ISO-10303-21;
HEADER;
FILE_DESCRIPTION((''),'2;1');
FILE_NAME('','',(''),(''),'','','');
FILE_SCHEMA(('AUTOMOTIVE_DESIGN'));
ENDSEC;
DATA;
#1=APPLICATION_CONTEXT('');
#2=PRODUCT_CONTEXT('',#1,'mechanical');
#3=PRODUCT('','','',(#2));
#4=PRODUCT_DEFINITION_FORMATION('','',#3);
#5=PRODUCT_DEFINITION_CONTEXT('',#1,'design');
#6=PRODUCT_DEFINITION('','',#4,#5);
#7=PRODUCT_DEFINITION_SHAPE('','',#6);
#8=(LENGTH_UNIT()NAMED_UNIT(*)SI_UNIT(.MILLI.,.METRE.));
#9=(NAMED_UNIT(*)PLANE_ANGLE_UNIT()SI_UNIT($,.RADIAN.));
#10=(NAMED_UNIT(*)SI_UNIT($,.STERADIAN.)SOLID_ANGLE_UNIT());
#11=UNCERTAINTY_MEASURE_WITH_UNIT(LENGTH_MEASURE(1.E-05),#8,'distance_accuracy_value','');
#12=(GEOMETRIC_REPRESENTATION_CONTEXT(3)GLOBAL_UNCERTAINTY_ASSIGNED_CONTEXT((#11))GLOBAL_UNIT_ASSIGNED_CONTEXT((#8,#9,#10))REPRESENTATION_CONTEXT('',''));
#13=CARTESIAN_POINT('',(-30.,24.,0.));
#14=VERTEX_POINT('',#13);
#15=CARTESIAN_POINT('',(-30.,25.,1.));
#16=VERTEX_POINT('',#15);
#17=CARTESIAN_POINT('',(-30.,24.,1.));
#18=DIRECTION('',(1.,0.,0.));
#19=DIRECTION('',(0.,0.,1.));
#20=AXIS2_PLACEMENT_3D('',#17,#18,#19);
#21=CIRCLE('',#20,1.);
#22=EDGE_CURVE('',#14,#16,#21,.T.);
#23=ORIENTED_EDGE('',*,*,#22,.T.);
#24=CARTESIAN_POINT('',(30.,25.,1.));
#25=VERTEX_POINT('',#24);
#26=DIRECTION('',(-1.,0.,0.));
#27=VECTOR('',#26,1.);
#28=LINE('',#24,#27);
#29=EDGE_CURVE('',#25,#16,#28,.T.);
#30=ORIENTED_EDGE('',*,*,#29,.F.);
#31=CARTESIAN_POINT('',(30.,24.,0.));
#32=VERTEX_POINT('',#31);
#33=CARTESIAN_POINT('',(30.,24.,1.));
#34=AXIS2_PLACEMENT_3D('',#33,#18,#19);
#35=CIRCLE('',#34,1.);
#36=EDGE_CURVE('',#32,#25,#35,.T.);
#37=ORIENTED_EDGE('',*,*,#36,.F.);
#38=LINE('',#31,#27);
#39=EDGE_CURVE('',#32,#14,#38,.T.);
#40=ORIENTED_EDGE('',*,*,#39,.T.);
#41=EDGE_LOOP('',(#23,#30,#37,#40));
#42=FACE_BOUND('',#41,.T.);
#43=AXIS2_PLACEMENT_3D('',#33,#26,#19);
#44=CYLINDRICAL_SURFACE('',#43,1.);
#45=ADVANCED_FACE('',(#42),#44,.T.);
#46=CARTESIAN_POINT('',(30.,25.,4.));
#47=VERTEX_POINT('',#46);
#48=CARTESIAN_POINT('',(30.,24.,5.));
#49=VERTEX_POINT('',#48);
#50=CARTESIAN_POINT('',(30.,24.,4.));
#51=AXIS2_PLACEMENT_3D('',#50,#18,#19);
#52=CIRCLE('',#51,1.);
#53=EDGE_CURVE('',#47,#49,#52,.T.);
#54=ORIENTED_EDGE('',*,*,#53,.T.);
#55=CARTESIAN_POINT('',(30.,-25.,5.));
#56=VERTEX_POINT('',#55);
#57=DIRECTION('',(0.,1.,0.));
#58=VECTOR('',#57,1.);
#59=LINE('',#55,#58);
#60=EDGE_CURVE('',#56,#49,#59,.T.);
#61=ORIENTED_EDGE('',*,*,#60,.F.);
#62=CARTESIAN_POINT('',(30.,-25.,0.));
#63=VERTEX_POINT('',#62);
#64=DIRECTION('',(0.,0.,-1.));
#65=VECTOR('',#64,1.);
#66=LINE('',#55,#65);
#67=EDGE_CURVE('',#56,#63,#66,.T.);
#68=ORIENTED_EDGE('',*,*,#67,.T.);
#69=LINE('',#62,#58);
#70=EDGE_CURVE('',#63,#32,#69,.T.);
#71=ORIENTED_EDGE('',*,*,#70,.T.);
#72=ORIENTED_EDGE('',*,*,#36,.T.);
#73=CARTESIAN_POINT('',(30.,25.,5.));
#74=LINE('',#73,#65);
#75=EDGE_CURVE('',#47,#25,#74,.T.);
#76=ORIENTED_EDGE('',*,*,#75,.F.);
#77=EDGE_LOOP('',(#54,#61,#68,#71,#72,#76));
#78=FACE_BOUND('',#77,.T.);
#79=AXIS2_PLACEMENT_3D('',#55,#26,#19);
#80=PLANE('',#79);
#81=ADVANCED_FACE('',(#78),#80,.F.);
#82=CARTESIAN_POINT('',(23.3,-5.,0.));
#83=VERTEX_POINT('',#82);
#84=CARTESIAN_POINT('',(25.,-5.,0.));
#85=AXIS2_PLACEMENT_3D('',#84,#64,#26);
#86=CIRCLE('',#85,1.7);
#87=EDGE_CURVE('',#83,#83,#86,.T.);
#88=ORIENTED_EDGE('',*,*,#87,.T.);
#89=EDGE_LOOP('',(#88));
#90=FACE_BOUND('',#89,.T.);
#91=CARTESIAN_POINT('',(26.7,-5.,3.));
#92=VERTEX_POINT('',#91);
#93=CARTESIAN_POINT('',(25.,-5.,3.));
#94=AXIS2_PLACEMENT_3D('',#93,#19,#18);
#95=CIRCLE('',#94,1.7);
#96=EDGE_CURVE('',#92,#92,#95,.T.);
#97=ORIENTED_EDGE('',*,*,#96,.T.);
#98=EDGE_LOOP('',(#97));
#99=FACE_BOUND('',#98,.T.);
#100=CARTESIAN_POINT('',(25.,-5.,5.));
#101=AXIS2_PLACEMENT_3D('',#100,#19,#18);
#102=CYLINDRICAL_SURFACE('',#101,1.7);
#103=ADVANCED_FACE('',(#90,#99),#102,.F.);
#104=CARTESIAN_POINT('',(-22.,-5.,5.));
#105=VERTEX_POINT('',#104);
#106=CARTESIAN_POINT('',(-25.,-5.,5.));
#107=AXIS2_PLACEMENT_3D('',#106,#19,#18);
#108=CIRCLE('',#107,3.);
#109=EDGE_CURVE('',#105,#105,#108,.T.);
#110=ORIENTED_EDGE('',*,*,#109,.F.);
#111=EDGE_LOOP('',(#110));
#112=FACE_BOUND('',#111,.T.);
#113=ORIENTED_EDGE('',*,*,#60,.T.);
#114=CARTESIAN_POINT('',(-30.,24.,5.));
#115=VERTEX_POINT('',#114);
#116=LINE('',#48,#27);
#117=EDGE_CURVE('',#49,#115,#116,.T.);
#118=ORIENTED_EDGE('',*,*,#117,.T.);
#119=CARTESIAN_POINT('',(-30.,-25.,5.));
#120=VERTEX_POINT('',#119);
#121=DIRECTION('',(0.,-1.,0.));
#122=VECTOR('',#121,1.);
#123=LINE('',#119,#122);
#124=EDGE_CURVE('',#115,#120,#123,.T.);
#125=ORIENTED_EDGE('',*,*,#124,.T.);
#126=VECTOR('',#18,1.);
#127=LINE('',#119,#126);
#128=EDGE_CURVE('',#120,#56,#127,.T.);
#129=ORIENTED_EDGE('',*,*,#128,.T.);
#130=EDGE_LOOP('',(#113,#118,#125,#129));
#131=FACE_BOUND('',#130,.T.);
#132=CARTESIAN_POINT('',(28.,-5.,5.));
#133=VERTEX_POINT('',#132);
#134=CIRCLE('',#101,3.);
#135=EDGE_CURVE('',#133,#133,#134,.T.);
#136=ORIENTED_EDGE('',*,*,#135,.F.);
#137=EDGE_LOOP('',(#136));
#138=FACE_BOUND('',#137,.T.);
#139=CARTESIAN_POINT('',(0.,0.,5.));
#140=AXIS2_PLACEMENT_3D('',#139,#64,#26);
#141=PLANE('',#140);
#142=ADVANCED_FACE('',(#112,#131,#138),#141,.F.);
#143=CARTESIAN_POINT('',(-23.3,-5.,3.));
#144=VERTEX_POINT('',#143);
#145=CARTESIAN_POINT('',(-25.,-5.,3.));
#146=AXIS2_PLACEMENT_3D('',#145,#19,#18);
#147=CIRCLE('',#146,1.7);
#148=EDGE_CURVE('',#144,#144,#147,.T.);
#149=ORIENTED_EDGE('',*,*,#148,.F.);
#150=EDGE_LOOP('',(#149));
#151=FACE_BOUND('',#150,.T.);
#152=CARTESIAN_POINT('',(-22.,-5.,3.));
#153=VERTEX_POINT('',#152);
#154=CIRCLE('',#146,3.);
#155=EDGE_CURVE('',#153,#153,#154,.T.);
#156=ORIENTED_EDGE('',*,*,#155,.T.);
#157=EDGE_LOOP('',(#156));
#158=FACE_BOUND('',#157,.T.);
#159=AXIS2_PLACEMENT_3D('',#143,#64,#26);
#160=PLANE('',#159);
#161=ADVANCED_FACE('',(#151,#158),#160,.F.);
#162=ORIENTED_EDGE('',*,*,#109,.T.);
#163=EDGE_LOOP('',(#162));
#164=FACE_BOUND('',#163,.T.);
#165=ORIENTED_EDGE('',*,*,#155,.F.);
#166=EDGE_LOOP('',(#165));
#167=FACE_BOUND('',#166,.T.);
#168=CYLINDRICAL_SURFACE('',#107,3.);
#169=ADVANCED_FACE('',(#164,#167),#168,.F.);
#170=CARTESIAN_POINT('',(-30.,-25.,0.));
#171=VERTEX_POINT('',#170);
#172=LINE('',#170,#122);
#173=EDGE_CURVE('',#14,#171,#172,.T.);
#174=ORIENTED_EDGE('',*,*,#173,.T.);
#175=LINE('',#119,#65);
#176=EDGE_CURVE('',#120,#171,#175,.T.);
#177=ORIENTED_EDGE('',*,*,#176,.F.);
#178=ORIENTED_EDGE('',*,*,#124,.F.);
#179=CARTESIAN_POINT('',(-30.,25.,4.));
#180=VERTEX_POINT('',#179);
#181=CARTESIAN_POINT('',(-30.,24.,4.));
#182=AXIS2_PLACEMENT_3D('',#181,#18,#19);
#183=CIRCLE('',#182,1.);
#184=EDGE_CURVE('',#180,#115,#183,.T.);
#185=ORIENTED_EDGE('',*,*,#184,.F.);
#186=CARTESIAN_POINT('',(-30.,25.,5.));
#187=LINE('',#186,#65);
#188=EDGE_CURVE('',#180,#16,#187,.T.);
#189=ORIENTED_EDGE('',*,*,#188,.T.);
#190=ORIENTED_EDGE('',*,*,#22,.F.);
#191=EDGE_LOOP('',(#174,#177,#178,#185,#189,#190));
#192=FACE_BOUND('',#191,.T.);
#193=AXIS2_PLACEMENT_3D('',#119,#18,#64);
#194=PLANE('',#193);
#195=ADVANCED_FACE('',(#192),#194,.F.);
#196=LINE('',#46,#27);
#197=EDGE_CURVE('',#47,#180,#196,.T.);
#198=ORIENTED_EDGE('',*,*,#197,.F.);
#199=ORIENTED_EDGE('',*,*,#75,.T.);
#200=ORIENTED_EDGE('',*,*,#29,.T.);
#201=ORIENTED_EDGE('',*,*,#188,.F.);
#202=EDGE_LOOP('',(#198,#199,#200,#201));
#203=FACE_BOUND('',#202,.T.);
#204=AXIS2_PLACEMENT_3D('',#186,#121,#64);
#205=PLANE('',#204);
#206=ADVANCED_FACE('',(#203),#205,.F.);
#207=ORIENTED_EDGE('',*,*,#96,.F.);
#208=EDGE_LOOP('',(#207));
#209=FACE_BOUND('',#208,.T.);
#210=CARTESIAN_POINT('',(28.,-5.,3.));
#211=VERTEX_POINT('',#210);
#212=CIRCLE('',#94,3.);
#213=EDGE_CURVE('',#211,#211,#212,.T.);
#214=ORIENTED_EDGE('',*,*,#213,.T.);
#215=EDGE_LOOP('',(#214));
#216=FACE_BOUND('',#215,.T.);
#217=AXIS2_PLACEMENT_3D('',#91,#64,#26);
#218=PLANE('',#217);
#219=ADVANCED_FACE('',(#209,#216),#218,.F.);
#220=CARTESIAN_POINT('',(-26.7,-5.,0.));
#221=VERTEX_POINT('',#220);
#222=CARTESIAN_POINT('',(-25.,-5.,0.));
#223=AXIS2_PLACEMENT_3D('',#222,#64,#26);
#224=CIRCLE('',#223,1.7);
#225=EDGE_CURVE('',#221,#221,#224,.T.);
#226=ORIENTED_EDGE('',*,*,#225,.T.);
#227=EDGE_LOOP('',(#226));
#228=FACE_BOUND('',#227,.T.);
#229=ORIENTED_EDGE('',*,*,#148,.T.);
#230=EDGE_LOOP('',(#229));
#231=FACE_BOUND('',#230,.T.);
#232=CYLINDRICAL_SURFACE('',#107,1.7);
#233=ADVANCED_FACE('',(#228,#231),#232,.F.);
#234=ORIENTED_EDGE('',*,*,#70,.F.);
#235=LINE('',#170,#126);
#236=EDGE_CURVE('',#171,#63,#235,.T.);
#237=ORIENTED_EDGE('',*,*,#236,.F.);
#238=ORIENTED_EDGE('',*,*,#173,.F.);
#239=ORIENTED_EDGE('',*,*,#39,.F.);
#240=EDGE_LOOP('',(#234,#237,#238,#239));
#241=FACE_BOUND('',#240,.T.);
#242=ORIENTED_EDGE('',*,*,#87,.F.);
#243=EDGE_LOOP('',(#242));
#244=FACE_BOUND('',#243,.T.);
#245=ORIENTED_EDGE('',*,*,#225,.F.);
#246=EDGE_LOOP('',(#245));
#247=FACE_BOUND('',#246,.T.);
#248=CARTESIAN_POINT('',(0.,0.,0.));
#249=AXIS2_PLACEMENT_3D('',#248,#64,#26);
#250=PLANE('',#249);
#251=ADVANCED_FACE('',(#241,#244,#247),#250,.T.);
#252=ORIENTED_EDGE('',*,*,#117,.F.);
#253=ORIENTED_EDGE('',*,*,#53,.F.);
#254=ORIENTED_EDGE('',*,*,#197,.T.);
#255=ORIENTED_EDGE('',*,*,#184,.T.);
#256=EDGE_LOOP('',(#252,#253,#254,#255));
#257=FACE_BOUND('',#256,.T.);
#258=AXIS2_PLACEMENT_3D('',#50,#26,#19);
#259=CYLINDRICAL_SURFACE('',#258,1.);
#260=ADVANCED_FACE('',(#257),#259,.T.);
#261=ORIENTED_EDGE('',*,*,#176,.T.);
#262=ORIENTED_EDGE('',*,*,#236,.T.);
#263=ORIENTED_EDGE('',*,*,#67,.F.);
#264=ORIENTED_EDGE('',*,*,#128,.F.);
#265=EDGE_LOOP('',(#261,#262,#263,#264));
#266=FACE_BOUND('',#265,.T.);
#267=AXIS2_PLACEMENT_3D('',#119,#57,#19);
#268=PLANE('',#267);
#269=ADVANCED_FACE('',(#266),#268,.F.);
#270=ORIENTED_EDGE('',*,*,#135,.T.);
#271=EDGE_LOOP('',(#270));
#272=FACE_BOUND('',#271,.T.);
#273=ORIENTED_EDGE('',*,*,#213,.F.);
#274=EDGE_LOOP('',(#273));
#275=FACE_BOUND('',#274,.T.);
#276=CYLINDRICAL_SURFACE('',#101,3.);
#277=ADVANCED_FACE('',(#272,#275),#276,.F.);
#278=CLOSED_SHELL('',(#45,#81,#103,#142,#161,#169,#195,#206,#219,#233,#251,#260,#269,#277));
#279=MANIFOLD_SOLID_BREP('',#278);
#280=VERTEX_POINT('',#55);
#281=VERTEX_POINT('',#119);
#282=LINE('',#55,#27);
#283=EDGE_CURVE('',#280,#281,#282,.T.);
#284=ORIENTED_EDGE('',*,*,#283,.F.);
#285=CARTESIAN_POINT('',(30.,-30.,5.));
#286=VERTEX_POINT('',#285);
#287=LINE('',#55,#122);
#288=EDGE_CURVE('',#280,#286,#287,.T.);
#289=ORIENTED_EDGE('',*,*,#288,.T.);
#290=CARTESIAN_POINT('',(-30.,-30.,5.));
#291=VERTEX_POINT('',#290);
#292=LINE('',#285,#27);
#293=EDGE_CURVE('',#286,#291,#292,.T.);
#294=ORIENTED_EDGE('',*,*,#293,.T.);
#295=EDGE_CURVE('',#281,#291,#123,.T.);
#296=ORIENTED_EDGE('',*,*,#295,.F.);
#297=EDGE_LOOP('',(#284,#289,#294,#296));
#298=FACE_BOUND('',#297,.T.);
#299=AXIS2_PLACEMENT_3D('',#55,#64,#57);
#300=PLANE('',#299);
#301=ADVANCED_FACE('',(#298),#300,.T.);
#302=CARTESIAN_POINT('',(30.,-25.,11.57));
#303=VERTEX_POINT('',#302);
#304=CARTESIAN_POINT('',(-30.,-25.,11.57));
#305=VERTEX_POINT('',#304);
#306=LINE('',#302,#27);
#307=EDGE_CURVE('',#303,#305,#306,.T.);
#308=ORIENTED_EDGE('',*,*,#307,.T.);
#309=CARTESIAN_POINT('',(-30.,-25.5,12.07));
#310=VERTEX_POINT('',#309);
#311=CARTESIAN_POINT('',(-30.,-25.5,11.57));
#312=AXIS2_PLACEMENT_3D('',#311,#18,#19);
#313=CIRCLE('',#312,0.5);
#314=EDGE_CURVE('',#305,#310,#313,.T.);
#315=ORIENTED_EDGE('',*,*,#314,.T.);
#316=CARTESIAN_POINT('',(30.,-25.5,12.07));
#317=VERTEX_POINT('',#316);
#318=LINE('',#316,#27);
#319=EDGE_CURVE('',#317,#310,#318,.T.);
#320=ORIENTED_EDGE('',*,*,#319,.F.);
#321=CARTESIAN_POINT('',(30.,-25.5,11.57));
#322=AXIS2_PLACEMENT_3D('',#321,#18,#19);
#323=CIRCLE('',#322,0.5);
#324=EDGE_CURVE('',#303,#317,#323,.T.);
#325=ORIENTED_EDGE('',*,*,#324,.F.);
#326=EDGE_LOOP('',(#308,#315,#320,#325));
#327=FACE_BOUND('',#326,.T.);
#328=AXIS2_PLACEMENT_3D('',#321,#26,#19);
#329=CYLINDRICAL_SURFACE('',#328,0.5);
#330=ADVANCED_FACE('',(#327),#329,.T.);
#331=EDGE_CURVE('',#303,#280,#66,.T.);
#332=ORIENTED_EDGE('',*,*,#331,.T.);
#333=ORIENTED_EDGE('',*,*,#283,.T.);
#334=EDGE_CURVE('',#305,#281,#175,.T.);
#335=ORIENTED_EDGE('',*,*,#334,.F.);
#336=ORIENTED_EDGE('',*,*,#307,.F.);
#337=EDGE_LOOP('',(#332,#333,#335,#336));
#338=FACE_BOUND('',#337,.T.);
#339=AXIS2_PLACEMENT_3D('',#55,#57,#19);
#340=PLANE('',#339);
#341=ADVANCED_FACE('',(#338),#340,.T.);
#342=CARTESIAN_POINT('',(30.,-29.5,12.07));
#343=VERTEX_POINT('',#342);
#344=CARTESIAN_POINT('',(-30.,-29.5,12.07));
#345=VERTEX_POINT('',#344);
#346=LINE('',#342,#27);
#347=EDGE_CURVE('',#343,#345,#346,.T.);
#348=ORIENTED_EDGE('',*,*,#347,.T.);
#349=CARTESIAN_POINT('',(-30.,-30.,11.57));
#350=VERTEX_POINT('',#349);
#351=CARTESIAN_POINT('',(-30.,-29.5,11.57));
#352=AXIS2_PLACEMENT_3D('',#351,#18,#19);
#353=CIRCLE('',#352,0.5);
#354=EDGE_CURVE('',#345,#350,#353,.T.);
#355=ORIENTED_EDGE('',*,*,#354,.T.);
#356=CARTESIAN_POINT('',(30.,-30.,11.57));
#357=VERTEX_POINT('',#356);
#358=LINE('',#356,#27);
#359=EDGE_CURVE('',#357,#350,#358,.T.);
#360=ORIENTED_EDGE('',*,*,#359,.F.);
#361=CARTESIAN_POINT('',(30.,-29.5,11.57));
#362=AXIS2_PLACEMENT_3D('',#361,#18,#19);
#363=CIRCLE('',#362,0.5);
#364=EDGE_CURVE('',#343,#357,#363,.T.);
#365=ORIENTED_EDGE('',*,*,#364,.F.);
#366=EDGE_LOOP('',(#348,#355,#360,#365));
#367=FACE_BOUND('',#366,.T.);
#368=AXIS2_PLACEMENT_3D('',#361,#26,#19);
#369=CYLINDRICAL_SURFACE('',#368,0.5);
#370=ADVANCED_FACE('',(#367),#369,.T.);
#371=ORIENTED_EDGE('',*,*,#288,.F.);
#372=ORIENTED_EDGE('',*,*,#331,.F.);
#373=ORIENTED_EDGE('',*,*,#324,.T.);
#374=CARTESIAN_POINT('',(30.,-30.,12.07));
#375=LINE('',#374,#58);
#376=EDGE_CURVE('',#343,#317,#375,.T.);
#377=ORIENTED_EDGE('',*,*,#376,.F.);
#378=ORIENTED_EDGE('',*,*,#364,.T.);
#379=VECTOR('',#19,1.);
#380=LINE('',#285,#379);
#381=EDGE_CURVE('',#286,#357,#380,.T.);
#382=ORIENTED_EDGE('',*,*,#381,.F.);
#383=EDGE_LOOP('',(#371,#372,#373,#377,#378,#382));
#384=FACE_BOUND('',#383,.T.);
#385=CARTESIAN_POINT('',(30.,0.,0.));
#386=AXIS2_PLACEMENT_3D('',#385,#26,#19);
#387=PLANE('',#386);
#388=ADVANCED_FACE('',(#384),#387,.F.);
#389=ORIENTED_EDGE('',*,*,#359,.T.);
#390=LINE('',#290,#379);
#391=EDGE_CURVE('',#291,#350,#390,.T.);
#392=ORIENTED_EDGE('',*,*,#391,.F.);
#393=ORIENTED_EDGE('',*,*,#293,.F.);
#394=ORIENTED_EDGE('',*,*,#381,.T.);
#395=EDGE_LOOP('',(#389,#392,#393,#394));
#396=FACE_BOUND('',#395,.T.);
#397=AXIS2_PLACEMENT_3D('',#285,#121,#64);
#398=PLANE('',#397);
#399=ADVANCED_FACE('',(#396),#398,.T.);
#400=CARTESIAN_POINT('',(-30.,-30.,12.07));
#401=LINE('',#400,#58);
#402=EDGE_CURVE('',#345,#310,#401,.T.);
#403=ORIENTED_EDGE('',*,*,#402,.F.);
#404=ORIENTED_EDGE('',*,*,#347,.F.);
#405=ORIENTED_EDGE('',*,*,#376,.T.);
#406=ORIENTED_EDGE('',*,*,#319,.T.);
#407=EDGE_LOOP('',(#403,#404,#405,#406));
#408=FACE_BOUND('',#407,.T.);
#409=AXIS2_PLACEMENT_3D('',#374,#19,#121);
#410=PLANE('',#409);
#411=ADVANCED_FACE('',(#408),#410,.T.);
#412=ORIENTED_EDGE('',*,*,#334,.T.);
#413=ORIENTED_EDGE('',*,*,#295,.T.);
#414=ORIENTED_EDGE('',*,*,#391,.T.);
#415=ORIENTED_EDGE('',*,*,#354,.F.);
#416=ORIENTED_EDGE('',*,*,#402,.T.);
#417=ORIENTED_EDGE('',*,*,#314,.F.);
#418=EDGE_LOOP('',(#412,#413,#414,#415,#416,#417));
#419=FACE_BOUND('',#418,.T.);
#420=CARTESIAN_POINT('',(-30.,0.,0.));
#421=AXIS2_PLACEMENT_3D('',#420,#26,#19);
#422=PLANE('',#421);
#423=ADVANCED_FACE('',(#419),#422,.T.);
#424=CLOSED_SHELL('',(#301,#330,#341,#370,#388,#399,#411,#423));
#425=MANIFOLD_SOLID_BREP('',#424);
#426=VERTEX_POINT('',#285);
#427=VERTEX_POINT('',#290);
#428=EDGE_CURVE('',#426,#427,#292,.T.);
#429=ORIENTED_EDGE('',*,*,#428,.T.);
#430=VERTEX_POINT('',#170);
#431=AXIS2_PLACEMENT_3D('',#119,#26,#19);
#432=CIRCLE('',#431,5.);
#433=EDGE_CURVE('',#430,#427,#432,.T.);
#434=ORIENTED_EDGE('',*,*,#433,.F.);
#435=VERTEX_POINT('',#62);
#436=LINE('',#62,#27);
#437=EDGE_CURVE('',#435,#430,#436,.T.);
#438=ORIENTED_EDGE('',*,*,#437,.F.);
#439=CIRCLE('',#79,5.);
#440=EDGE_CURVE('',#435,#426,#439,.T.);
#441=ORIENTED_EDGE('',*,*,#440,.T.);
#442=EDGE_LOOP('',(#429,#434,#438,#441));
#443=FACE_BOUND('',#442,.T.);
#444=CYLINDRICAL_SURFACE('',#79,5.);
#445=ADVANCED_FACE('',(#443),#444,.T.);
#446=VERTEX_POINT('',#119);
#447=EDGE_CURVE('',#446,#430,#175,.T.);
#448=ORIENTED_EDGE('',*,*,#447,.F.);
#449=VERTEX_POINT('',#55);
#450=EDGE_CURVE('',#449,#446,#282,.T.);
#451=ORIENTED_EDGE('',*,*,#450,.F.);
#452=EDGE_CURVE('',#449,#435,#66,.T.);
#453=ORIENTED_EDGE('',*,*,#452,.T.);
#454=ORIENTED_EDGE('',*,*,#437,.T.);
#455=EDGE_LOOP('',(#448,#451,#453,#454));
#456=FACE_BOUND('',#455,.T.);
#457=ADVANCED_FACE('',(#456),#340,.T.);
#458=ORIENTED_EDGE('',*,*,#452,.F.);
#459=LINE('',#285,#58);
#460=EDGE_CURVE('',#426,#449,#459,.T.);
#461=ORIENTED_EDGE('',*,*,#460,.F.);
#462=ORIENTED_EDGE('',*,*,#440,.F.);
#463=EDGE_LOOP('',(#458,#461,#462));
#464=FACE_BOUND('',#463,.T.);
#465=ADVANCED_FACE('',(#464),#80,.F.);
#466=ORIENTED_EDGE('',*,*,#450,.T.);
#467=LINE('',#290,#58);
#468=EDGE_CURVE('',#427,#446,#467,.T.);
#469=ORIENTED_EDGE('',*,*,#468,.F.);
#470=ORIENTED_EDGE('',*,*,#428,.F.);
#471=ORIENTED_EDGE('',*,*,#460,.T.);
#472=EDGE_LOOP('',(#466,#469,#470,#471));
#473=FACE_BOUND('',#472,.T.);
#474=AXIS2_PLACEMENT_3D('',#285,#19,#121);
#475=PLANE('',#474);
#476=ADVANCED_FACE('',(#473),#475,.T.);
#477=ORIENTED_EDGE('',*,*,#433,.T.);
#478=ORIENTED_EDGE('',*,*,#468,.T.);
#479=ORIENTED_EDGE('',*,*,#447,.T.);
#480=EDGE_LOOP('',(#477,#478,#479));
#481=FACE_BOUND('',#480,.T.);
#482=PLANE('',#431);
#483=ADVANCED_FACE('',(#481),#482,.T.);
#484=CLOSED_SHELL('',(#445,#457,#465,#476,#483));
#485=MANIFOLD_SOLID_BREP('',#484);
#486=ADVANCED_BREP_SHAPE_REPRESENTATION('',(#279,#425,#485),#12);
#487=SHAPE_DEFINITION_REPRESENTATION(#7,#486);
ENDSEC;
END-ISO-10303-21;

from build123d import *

# Parameters (mm, degrees)
SKETCH_1_W                = 60
SKETCH_1_H                = 50
EXTRUDE_1_DEPTH           = 5
HOLE_WIZARD_1_D           = 3.4
HOLE_WIZARD_1_DEPTH       = 7
HOLE_WIZARD_1_CBORE_D     = 6
HOLE_WIZARD_1_CBORE_DEPTH = 2
SKETCH_4_W                = 7.07
SKETCH_4_H                = 5
EXTRUDE_2_DEPTH           = 60
EXTRUDE_3_DEPTH           = 60
CUT_EXTRUDE_2_DEPTH       = 69.159261293
CUT_EXTRUDE_3_DEPTH       = 60


with BuildPart() as part:
    # 草图1 → 凸台-拉伸1 (new body)
    with BuildSketch(Plane.XY):
        Rectangle(SKETCH_1_W, SKETCH_1_H)
    extrude(amount=EXTRUDE_1_DEPTH)

    # 打孔尺寸(%根据)内六角圆柱头螺钉的类型1
    with Locations(Plane.XY.offset(5)):
        with Locations((-25, -5), (25, -5)):
            CounterBoreHole(HOLE_WIZARD_1_D / 2, HOLE_WIZARD_1_CBORE_D / 2, HOLE_WIZARD_1_CBORE_DEPTH, depth=HOLE_WIZARD_1_DEPTH)

    # 草图7 → 切除-拉伸2 (cut, through all)
    with BuildSketch(Plane.ZY.offset(30)):
        with BuildLine():
            Line((4, 25), (5, 25))
            Line((5, 25), (5, 24))
            ThreePointArc((5, 24), (4.707106781, 24.707106781), (4, 25))
        make_face()
        with BuildLine():
            Line((0, 24), (0, 25))
            Line((0, 25), (1, 25))
            ThreePointArc((1, 25), (0.292893219, 24.707106781), (0, 24))
        make_face()
    extrude(amount=-CUT_EXTRUDE_2_DEPTH, mode=Mode.SUBTRACT)


with BuildPart() as body_2:
    # 草图4 → 凸台-拉伸2 (new body)
    with BuildSketch(Plane.ZY.offset(30)):
        with Locations((8.535, -27.5)):
            Rectangle(SKETCH_4_W, SKETCH_4_H)
    extrude(amount=-EXTRUDE_2_DEPTH)

    # 草图8 → 切除-拉伸3 (cut)
    with BuildSketch(Plane.ZY.offset(30)):
        with BuildLine():
            Line((11.57, -25), (12.07, -25))
            Line((12.07, -25), (12.07, -25.5))
            ThreePointArc((12.07, -25.5), (11.923553391, -25.146446609), (11.57, -25))
        make_face()
        with BuildLine():
            Line((12.07, -29.5), (12.07, -30))
            Line((12.07, -30), (11.57, -30))
            ThreePointArc((11.57, -30), (11.923553391, -29.853553391), (12.07, -29.5))
        make_face()
    extrude(amount=-CUT_EXTRUDE_3_DEPTH, mode=Mode.SUBTRACT)


with BuildPart() as body_3:
    # 草图5 → 凸台-拉伸3 (new body)
    with BuildSketch(Plane.ZY.offset(30)):
        with BuildLine():
            Line((5, -30), (5, -25))
            Line((5, -25), (0, -25))
            ThreePointArc((0, -25), (1.464466094, -28.535533906), (5, -30))
        make_face()
    extrude(amount=-EXTRUDE_3_DEPTH)


solid = Compound([part.part, body_2.part, body_3.part])
